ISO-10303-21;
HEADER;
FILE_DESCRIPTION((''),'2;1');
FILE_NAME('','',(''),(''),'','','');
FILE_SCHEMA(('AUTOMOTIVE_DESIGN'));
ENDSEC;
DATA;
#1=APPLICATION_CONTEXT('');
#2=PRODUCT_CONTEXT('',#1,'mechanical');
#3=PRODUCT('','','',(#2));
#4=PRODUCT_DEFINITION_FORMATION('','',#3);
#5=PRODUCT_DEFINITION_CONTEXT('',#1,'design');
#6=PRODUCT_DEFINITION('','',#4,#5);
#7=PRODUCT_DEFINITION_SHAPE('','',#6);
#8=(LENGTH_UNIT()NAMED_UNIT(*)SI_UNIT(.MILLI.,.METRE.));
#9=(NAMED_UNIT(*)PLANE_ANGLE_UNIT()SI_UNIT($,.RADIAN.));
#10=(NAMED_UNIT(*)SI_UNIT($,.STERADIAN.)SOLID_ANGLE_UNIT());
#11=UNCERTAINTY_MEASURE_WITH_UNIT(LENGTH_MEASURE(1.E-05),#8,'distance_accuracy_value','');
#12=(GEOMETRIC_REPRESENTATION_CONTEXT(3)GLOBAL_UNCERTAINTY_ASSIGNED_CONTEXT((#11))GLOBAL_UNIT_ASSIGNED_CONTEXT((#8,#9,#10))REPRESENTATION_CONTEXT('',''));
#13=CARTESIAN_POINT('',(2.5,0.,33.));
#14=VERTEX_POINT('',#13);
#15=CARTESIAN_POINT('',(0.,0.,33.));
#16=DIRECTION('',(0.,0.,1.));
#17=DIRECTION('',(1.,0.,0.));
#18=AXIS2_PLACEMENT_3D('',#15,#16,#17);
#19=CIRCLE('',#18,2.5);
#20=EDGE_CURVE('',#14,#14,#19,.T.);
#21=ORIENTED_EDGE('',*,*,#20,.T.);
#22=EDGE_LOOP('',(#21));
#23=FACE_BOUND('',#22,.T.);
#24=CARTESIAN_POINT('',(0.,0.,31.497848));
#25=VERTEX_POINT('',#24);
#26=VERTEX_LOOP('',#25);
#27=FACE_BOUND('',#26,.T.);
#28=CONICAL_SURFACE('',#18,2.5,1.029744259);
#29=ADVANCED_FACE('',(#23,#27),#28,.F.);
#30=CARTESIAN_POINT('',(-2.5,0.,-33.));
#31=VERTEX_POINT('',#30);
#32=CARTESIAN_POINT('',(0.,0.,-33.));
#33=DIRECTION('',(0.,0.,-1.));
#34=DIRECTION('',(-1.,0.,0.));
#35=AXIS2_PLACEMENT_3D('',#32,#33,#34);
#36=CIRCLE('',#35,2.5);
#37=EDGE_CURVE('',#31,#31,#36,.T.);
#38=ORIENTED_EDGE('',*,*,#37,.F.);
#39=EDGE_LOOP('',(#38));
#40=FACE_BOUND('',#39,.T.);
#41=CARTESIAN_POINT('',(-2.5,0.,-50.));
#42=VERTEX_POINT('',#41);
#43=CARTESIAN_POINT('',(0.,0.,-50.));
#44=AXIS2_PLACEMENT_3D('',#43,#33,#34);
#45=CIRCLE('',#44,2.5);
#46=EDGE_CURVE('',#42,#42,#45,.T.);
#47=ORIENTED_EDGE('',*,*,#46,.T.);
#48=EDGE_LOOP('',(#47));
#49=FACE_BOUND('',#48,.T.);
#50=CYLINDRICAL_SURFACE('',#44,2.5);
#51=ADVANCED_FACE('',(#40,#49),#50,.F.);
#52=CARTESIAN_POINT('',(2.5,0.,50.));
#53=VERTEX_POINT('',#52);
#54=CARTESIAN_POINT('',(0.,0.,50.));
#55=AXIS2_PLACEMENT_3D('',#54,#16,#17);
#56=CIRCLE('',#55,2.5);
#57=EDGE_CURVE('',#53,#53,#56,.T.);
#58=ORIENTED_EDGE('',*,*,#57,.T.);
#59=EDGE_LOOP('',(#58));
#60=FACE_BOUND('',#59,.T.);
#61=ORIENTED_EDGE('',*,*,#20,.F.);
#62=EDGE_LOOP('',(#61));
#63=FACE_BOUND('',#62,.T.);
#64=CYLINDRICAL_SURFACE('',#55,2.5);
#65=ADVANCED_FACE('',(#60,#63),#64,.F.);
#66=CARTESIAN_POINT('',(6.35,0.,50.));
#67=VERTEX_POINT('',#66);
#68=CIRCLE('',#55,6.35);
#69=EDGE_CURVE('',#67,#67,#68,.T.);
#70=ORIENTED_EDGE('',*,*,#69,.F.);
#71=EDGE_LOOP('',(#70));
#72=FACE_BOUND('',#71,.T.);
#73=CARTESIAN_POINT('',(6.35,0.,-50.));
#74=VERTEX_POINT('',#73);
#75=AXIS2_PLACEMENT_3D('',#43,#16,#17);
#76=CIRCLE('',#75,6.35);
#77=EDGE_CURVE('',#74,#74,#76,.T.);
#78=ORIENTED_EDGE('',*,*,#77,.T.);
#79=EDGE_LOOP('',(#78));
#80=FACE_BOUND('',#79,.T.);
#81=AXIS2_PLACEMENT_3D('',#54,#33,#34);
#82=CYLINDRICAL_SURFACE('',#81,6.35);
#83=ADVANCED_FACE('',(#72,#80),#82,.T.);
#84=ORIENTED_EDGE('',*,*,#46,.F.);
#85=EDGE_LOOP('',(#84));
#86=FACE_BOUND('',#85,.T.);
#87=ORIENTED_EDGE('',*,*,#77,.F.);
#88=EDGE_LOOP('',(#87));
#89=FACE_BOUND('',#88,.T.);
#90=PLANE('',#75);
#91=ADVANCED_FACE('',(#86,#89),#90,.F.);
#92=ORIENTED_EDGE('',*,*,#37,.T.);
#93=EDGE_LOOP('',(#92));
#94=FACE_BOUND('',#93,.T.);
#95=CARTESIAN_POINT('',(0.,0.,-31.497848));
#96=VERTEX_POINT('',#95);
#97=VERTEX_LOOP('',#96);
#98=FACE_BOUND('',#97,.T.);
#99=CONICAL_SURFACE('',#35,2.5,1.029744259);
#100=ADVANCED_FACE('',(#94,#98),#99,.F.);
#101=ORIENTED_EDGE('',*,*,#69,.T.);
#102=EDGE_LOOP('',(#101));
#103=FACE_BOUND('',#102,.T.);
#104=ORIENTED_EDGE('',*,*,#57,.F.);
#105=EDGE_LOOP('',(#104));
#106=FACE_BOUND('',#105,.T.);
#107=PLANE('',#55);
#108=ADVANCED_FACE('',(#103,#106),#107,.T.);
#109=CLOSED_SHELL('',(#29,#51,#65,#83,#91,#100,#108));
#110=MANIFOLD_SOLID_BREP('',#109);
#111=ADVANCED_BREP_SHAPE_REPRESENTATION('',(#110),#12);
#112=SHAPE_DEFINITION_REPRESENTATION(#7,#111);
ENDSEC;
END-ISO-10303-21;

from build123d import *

# Parameters (mm, degrees)
CROQUIS1_R              = 6.35
SALIENTE_EXTRUIR1_DEPTH = 50


with BuildPart() as part:
    # Croquis1 → Saliente-Extruir1 (new, symmetric)
    with BuildSketch(Plane.XY):
        Circle(CROQUIS1_R)
    extrude(amount=SALIENTE_EXTRUIR1_DEPTH, both=True)

    # Croquis3 → Taladro roscado M61 (revolve, cut)
    with BuildSketch(Plane(origin=(0, 0, 50), x_dir=(0, -1, 0), z_dir=(1, 0, 0))):
        Polygon((0, 0), (0, 18.502151548), (2.5, 17), (2.5, 0), align=None)
    taladro_roscado_m61 = revolve(axis=Axis((0, 0, 56.35), (0, 0, -1)), mode=Mode.SUBTRACT)

    # Simetría1: Taladro roscado M61 across plane
    add(taladro_roscado_m61.mirror(Plane.XY), mode=Mode.SUBTRACT)


solid = part.part
